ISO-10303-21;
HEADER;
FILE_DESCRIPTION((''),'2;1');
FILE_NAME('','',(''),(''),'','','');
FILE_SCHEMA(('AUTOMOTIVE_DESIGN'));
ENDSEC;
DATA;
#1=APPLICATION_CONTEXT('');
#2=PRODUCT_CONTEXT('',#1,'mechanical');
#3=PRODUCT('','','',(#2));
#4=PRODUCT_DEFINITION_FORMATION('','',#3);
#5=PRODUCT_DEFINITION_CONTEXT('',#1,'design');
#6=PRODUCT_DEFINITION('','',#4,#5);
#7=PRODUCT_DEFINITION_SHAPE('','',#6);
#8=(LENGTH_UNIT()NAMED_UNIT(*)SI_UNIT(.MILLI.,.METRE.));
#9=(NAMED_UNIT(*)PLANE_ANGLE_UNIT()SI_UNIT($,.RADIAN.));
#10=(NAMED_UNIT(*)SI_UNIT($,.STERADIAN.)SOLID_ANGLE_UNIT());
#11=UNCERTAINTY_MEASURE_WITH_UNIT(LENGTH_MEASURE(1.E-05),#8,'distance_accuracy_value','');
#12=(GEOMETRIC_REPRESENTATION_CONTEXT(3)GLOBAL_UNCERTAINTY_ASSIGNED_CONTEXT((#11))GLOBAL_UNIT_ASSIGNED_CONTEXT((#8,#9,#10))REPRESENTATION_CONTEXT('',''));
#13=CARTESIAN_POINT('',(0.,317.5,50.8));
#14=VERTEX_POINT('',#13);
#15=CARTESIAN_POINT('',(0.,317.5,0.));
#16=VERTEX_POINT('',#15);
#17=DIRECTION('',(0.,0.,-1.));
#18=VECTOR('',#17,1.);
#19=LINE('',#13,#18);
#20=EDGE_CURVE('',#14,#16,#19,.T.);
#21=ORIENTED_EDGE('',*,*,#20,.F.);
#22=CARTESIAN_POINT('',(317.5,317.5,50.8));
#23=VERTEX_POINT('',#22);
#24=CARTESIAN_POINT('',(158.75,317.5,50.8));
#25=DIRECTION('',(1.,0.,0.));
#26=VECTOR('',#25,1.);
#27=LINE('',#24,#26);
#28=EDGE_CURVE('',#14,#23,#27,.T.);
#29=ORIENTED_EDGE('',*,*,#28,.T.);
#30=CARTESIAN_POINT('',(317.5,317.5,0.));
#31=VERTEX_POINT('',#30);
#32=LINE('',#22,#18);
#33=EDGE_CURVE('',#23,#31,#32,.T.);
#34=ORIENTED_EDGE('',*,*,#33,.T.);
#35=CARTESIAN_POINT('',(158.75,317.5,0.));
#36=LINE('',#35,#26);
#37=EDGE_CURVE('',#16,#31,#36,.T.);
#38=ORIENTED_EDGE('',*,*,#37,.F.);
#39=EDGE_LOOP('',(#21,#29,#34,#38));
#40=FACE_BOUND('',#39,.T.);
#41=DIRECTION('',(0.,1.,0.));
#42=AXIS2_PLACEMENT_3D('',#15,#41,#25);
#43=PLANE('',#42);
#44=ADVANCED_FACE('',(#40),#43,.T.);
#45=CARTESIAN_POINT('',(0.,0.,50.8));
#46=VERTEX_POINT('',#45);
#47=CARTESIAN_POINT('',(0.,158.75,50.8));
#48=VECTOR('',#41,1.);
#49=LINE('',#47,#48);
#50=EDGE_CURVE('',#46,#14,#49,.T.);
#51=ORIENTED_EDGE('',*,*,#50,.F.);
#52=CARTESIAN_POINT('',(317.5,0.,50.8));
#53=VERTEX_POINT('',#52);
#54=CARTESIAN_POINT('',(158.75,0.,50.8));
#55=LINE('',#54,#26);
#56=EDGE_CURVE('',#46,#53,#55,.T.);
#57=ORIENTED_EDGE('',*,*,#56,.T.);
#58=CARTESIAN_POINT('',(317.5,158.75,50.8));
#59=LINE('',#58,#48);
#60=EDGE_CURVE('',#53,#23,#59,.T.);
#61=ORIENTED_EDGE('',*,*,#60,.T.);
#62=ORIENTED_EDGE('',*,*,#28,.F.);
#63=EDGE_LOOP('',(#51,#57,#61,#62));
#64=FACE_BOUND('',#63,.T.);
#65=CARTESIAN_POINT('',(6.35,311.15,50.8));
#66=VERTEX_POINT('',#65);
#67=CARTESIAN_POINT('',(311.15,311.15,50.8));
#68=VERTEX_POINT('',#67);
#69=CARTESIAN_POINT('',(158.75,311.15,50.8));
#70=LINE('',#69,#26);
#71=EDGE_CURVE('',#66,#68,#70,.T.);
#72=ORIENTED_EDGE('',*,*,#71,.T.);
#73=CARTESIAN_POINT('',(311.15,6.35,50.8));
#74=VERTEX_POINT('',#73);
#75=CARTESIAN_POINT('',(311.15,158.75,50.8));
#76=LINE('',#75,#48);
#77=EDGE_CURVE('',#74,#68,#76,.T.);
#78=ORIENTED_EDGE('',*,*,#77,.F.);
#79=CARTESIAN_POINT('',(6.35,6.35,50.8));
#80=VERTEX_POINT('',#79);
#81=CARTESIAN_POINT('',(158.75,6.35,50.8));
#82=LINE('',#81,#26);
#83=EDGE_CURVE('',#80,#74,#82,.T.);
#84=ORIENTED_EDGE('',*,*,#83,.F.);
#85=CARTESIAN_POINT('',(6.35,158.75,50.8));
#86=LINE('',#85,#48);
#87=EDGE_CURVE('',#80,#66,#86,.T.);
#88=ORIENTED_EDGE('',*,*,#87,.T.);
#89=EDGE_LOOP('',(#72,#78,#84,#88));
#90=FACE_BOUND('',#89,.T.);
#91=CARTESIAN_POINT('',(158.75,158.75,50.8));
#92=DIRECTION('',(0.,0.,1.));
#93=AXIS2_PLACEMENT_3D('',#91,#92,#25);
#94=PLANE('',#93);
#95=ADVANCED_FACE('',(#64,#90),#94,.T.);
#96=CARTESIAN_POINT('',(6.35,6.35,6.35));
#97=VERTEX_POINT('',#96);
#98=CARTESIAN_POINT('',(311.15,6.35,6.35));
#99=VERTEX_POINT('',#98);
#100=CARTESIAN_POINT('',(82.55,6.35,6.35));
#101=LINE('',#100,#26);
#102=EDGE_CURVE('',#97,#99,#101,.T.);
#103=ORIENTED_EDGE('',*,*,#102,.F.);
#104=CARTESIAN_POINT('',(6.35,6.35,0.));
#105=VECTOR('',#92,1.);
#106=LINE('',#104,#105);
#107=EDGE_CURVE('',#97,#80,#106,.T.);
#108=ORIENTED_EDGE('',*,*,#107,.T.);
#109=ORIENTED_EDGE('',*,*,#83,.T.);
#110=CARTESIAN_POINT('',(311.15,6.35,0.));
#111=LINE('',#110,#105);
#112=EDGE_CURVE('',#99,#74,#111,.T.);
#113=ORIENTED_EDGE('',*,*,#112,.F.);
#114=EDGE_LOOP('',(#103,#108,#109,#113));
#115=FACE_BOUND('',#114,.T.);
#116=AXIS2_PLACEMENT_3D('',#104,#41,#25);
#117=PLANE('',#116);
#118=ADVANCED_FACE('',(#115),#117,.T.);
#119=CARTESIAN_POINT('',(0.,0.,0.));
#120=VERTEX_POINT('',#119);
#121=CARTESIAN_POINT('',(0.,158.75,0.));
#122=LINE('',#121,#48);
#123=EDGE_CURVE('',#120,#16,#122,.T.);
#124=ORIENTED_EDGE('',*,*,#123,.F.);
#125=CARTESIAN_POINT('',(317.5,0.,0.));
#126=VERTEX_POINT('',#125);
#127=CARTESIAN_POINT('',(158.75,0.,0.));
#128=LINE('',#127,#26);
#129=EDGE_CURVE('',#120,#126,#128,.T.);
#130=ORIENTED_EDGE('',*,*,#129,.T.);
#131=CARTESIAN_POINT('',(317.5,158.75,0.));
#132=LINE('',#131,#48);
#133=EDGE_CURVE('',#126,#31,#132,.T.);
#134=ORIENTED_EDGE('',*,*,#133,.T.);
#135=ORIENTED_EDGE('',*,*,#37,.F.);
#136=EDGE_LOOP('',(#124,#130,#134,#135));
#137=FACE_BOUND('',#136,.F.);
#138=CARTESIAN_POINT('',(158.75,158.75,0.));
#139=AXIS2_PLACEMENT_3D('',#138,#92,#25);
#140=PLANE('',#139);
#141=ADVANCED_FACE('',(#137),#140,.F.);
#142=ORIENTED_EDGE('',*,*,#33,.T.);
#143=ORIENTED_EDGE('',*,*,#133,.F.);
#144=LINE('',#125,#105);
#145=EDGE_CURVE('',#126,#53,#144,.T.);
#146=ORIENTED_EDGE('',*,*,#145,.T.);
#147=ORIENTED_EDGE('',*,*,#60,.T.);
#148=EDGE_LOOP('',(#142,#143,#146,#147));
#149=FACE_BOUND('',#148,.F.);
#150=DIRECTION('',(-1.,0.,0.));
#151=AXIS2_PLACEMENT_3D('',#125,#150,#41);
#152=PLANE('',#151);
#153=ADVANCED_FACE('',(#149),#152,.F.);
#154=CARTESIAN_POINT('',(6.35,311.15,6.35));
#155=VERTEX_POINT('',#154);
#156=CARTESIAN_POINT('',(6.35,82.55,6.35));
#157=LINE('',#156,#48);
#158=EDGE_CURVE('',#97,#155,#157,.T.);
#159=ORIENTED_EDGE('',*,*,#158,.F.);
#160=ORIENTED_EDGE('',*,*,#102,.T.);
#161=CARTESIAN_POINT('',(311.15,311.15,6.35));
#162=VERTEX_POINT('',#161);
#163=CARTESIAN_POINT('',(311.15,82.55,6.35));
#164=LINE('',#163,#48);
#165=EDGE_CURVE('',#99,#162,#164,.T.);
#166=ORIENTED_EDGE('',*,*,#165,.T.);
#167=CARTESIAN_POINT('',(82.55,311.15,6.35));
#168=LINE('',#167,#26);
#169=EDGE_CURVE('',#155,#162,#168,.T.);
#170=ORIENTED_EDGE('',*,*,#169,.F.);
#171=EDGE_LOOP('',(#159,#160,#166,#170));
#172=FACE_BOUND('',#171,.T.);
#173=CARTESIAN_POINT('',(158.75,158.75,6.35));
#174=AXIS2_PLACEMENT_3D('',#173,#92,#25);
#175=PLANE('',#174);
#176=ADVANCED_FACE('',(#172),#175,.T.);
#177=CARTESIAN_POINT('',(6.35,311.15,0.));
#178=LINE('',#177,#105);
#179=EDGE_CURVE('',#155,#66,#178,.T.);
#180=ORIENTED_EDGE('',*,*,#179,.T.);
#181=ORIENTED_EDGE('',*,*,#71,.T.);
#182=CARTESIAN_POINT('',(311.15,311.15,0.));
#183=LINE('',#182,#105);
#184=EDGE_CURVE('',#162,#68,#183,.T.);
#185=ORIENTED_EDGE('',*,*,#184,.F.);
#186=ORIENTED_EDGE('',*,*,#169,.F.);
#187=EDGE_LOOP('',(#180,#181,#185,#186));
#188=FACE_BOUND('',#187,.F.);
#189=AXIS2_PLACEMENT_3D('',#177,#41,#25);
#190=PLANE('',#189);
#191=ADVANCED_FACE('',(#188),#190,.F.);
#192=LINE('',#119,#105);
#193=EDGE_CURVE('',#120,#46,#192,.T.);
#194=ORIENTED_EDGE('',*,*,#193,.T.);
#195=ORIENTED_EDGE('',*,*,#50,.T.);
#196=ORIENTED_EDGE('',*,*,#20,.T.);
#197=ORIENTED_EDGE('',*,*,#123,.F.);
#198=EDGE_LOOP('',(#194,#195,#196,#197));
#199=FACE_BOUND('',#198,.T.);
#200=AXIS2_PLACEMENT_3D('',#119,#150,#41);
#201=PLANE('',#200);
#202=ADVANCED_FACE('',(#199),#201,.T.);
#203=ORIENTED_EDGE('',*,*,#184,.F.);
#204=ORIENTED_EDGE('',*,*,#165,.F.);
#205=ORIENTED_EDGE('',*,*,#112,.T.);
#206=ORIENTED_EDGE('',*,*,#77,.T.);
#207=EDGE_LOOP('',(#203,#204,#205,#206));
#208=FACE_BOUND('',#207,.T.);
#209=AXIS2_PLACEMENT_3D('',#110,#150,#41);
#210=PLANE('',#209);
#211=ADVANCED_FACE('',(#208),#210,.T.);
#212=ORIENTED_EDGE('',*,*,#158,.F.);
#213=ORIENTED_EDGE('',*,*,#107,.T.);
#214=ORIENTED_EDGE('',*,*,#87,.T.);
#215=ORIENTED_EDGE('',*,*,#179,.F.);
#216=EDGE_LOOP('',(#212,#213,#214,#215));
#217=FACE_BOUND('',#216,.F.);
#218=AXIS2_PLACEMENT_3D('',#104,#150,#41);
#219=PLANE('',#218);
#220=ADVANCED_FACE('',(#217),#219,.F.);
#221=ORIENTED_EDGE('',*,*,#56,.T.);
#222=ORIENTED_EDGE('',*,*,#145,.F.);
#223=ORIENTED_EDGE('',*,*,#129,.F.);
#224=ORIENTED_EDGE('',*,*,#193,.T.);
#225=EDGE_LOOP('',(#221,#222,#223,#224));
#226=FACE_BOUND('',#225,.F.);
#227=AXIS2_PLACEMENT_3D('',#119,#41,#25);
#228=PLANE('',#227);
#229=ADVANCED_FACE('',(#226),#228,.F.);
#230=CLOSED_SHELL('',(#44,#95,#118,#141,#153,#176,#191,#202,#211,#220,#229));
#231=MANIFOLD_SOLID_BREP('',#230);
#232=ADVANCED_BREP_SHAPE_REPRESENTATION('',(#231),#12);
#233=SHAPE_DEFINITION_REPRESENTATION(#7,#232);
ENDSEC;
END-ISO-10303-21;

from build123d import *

# Parameters (mm, degrees)
F0_W     = 317.5
F0_H     = 317.5
F0_W_2   = 304.8
F0_H_2   = 304.8
F1_DEPTH = 50.8
F2_W     = 317.5
F2_H     = 317.5
F3_DEPTH = 6.35


with BuildPart() as f1:
    # F0 (on Top) → F1 (new body)
    with BuildSketch(Plane.XY):
        with Locations((158.75, 158.75)):
            Rectangle(F0_W, F0_H)
        with Locations((158.75, 158.75)):
            Rectangle(F0_W_2, F0_H_2, mode=Mode.SUBTRACT)
    extrude(amount=F1_DEPTH)

    # F2 (on Top) → F3 (join)
    with BuildSketch(Plane.XY):
        with Locations((158.75, 158.75)):
            Rectangle(F2_W, F2_H)
    extrude(amount=F3_DEPTH)


solid = f1.part
